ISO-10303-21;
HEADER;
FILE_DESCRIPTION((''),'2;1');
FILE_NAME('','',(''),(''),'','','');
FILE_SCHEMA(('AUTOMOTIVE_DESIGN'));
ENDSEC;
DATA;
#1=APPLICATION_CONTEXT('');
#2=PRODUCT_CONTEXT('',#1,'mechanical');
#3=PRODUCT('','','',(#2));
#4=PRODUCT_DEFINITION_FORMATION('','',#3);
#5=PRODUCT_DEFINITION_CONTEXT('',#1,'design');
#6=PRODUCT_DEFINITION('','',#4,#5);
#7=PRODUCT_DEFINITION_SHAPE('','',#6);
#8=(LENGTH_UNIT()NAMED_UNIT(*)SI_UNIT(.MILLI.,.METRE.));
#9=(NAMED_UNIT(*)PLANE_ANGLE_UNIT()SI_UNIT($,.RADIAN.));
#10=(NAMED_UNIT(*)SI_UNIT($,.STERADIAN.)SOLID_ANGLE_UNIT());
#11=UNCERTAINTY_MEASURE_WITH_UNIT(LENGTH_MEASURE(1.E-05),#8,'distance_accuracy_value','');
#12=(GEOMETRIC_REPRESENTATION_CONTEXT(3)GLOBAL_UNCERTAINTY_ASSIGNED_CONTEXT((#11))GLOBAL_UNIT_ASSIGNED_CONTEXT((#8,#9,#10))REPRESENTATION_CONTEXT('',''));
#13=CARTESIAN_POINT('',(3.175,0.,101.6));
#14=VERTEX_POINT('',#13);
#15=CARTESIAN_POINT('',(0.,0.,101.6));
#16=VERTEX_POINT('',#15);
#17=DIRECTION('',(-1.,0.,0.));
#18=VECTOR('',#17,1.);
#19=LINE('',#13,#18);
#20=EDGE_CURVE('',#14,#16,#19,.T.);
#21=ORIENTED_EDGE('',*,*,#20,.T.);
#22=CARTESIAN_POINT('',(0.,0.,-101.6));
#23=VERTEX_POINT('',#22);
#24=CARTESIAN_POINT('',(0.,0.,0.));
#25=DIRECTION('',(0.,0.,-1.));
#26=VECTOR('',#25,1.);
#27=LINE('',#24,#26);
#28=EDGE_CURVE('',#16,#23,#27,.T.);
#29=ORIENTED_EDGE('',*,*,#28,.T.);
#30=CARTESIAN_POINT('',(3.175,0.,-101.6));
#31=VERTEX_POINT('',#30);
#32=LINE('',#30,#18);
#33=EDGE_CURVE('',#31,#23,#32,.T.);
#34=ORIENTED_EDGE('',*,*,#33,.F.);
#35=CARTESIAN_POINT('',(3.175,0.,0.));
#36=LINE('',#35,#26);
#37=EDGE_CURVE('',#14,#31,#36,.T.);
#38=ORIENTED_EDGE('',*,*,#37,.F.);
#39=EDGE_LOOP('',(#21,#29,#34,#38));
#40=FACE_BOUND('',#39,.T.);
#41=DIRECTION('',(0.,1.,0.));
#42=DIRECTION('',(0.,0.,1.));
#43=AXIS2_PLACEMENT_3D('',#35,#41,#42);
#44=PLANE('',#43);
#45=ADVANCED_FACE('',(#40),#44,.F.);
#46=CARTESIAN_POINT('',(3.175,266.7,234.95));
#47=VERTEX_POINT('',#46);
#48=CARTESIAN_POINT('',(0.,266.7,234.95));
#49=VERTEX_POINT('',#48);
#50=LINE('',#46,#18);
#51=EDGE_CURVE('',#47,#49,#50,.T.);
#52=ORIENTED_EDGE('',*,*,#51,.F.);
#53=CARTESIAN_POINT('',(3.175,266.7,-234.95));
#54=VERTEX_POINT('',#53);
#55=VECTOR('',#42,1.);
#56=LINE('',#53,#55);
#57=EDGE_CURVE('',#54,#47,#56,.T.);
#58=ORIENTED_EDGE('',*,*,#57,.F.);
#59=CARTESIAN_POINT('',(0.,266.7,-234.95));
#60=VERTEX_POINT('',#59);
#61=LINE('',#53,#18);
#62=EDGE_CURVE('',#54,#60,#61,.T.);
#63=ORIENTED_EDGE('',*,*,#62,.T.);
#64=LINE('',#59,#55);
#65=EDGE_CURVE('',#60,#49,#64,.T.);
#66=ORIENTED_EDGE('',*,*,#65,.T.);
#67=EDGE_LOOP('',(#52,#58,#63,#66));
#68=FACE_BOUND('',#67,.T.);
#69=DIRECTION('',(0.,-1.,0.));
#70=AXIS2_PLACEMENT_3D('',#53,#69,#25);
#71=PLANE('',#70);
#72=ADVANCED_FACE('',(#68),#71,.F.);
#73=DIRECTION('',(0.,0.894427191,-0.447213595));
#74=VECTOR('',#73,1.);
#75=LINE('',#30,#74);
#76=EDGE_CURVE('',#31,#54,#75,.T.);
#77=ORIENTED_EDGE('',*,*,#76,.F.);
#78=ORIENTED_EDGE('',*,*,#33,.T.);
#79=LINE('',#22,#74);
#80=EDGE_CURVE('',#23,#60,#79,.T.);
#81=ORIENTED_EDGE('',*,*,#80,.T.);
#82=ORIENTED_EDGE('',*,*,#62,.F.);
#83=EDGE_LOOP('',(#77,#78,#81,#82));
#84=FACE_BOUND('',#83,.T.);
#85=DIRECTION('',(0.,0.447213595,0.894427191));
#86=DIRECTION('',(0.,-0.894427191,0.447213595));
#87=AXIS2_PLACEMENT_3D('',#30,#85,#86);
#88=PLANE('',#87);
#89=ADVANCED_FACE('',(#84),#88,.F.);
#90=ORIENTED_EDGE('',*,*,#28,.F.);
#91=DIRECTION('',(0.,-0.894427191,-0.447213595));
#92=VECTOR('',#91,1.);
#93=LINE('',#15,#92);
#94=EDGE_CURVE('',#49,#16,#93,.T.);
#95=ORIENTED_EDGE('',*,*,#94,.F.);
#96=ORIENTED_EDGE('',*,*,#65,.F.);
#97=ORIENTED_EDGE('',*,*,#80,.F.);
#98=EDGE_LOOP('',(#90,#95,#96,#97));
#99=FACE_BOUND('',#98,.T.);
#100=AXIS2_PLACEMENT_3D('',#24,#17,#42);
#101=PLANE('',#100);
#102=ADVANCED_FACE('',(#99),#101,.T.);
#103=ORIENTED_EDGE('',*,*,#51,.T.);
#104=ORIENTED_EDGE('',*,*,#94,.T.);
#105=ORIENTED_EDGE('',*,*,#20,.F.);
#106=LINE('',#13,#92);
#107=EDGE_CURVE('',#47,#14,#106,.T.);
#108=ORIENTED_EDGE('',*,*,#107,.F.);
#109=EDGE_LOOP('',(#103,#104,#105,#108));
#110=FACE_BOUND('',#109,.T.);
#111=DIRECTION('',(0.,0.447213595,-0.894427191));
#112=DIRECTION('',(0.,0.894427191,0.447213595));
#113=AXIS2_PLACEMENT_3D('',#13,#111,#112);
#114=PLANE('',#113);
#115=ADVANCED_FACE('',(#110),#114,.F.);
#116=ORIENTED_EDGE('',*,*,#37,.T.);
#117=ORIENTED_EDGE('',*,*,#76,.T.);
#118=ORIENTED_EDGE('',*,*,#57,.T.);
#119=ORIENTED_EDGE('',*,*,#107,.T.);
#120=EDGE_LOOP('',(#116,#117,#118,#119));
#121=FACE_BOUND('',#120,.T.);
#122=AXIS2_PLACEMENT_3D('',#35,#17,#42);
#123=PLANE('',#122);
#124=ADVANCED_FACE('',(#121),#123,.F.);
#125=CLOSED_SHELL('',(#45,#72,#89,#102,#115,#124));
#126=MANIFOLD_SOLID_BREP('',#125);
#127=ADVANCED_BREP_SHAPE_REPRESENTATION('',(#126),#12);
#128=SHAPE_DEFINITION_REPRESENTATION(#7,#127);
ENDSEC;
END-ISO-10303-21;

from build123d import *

# Parameters (mm, degrees)
BOSS_EXTRUDE1_DEPTH = 3.175


with BuildPart() as part:
    # Sketch1 → Boss-Extrude1 (new body)
    with BuildSketch(Plane(origin=(0, 0, 0), x_dir=(0, 0, -1), z_dir=(1, 0, 0))):
        Polygon((0, 0), (101.6, 0), (234.95, 266.7), (-234.95, 266.7), (-101.6, 0), align=None)
    extrude(amount=BOSS_EXTRUDE1_DEPTH)


solid = part.part
